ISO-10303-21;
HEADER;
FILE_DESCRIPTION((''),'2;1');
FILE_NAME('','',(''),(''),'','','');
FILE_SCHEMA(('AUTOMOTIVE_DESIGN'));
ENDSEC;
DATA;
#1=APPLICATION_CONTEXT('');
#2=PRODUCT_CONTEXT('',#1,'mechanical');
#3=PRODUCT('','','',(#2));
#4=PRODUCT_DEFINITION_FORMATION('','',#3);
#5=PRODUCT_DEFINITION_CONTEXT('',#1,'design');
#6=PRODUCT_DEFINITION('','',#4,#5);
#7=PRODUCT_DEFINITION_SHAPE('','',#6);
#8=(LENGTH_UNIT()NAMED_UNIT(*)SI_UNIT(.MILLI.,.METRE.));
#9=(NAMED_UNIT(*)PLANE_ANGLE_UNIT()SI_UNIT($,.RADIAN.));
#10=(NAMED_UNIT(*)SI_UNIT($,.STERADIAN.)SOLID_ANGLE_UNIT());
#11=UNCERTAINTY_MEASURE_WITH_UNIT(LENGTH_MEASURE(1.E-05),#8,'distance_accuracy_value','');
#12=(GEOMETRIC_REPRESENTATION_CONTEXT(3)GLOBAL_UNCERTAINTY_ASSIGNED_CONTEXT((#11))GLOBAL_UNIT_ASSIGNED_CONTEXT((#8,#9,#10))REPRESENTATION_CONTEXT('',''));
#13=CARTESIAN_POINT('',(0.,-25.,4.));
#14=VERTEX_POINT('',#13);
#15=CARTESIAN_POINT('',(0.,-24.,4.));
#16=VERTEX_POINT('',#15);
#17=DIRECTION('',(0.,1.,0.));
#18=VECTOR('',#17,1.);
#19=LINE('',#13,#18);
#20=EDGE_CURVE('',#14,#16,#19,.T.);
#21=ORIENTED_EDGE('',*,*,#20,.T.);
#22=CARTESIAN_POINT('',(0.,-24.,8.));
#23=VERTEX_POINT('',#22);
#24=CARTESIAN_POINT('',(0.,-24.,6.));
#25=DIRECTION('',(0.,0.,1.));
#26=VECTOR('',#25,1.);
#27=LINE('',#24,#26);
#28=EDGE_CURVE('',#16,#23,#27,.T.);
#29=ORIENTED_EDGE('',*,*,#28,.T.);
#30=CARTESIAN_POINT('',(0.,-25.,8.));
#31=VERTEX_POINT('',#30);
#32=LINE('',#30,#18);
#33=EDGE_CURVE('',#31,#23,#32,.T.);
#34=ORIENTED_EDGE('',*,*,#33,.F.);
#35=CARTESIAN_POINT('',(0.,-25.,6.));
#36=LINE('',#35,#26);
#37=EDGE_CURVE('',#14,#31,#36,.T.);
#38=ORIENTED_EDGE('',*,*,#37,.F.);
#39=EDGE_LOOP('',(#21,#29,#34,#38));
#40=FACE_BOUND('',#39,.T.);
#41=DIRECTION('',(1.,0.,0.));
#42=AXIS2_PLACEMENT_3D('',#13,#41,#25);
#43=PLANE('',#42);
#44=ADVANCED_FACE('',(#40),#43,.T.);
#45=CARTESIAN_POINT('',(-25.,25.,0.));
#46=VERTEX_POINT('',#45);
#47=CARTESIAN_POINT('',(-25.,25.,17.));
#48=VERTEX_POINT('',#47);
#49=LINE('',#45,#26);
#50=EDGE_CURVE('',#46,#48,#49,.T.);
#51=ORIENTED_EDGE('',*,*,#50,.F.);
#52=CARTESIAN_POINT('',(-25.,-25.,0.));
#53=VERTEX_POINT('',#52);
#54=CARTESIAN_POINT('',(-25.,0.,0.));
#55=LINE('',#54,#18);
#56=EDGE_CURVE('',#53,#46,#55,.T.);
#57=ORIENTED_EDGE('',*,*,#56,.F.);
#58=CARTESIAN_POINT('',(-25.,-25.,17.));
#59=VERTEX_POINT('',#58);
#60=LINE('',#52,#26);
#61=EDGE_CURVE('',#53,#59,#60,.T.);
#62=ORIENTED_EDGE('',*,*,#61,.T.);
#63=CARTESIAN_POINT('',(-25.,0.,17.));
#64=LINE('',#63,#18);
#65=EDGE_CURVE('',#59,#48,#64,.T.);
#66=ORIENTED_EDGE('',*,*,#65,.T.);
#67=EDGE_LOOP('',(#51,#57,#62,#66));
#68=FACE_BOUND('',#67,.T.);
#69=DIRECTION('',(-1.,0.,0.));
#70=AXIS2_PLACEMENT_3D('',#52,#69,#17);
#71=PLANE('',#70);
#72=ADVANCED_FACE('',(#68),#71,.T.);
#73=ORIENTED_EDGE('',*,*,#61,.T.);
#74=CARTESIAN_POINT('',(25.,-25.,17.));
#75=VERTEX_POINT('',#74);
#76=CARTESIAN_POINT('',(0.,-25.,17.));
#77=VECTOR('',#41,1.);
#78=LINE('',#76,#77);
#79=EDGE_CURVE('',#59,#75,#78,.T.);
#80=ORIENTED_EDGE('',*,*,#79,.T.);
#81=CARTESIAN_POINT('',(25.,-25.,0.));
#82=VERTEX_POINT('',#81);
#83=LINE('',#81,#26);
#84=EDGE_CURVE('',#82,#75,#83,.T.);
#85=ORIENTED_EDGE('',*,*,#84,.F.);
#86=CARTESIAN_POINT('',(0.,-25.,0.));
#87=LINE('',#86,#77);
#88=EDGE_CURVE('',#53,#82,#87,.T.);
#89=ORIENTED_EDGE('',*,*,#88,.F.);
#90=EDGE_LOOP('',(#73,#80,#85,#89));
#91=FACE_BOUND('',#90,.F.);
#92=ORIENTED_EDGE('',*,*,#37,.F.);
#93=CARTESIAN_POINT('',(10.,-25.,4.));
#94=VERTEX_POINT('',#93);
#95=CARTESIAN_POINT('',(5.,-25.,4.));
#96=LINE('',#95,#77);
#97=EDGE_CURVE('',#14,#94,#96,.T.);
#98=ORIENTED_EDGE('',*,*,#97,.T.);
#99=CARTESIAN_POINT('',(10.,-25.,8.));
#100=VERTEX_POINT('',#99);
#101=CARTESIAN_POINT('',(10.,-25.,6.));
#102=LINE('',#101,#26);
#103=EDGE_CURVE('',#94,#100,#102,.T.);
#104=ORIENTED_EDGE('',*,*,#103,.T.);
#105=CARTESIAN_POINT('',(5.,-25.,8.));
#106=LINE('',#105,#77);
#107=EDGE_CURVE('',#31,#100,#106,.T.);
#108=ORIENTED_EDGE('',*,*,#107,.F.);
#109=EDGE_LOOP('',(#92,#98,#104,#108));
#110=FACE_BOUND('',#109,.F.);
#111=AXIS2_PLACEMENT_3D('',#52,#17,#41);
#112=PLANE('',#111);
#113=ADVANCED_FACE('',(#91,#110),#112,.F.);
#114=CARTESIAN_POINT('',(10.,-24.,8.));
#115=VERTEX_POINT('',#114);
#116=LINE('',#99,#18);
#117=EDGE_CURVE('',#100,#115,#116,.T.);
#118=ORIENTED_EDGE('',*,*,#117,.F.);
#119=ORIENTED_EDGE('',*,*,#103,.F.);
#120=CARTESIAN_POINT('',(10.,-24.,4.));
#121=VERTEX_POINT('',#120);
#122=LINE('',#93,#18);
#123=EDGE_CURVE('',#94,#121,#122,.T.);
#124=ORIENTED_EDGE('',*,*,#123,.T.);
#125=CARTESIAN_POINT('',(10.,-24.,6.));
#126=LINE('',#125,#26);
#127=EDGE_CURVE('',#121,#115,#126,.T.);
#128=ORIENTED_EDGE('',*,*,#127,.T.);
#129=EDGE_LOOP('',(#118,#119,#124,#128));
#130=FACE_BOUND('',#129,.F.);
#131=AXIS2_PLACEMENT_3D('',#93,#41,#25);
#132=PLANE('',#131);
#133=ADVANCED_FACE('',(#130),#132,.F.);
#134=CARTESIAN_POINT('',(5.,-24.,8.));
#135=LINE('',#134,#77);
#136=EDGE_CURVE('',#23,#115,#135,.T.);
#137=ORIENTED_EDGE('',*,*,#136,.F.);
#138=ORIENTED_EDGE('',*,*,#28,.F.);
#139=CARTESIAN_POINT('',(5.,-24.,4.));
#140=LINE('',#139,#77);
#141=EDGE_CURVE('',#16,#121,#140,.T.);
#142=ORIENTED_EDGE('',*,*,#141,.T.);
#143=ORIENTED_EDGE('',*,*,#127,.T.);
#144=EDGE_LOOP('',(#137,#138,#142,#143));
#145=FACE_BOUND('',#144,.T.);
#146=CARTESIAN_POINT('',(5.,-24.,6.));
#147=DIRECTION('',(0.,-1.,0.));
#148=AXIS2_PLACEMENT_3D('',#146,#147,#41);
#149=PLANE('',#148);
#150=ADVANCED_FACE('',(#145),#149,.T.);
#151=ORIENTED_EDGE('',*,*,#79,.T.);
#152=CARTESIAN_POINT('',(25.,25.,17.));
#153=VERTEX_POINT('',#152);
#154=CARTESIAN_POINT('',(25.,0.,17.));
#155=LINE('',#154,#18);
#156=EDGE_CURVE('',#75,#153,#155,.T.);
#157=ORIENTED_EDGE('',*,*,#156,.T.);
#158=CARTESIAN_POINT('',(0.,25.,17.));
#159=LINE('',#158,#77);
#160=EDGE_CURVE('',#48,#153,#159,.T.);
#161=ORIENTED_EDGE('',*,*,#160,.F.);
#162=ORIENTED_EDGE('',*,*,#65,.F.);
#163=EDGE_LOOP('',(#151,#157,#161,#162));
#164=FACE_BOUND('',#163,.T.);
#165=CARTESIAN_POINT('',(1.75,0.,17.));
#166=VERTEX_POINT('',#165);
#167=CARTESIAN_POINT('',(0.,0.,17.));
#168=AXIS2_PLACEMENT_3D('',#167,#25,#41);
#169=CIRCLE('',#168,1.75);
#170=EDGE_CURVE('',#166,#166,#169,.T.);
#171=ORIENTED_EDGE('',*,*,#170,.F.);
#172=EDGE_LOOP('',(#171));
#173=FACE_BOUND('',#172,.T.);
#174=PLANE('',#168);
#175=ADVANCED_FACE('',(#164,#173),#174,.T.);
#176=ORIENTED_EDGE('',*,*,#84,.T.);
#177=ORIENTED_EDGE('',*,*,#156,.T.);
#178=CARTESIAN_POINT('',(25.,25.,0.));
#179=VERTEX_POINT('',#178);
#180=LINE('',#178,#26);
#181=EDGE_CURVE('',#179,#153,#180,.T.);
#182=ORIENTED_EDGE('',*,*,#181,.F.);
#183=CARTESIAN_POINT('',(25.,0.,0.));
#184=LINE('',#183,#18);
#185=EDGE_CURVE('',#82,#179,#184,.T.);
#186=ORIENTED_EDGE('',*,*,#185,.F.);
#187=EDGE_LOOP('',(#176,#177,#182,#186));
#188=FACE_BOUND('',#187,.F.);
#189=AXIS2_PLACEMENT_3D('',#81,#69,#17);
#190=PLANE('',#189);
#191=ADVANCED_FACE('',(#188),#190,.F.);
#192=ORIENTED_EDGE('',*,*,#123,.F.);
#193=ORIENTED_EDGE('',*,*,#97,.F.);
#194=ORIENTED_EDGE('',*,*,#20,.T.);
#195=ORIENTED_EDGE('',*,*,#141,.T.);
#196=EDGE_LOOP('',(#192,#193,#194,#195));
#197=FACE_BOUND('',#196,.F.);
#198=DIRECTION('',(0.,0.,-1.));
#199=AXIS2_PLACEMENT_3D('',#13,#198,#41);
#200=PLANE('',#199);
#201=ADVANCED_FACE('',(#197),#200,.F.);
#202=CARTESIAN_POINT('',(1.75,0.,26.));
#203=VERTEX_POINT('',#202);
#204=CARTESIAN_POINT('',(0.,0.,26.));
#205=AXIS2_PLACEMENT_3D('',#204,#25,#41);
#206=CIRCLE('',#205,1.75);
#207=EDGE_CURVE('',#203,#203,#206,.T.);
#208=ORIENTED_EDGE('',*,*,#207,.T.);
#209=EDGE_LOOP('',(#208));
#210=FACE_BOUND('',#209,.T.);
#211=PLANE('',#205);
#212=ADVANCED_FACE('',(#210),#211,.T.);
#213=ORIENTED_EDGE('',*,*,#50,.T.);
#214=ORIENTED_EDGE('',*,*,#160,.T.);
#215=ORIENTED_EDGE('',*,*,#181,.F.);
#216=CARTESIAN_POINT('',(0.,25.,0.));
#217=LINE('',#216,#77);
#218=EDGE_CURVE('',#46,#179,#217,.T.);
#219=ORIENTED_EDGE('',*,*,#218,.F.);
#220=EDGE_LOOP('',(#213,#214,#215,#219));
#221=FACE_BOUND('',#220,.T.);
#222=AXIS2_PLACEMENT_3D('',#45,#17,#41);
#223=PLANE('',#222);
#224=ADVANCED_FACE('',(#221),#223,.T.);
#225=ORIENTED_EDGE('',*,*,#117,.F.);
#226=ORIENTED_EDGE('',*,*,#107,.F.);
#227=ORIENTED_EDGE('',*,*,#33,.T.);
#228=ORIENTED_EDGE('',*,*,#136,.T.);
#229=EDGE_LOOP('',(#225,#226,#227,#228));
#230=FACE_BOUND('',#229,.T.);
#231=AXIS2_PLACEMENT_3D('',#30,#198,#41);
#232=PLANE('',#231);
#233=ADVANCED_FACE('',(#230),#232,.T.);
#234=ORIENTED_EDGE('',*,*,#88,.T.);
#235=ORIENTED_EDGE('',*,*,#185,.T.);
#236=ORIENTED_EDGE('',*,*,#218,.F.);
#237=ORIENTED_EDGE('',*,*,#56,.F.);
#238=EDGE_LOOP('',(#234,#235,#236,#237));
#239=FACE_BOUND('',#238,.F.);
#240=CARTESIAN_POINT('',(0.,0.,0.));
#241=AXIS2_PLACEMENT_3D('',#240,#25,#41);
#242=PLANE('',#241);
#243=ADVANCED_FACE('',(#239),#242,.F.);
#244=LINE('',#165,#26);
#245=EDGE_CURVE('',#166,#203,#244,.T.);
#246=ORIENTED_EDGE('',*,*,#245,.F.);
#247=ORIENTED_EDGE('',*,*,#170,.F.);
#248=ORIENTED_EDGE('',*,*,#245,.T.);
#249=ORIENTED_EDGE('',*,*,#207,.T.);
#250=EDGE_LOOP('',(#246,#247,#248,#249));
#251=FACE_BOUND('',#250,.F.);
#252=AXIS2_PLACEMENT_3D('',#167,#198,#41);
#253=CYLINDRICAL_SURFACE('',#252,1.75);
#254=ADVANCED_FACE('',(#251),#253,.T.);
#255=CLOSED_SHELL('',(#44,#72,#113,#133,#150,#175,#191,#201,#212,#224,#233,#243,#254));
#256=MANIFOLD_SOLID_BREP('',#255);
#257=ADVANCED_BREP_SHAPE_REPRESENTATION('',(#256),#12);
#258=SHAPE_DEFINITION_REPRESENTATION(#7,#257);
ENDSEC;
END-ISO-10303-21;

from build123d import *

# Parameters (mm, degrees)
SKETCH_W     = 50
SKETCH_H     = 50
PAD_DEPTH    = 17
SKETCH001_R  = 1.75
PAD001_DEPTH = 9
SKETCH002_W  = 10
SKETCH002_H  = 4
POCKET_DEPTH = 1


with BuildPart() as part:
    # Sketch → Pad (new body)
    with BuildSketch(Plane.XY):
        Rectangle(SKETCH_W, SKETCH_H)
    extrude(amount=PAD_DEPTH)

    # Sketch001 (on Face6 of Pad) → Pad001 (join)
    with BuildSketch(Plane.XY.offset(17)):
        Circle(SKETCH001_R)
    extrude(amount=PAD001_DEPTH)

    # Sketch002 (on Face6 of Pad001) → Pocket (cut)
    with BuildSketch(Plane.XZ.offset(25)):
        with Locations((5, 6)):
            Rectangle(SKETCH002_W, SKETCH002_H)
    extrude(amount=-POCKET_DEPTH, mode=Mode.SUBTRACT)


solid = part.part
